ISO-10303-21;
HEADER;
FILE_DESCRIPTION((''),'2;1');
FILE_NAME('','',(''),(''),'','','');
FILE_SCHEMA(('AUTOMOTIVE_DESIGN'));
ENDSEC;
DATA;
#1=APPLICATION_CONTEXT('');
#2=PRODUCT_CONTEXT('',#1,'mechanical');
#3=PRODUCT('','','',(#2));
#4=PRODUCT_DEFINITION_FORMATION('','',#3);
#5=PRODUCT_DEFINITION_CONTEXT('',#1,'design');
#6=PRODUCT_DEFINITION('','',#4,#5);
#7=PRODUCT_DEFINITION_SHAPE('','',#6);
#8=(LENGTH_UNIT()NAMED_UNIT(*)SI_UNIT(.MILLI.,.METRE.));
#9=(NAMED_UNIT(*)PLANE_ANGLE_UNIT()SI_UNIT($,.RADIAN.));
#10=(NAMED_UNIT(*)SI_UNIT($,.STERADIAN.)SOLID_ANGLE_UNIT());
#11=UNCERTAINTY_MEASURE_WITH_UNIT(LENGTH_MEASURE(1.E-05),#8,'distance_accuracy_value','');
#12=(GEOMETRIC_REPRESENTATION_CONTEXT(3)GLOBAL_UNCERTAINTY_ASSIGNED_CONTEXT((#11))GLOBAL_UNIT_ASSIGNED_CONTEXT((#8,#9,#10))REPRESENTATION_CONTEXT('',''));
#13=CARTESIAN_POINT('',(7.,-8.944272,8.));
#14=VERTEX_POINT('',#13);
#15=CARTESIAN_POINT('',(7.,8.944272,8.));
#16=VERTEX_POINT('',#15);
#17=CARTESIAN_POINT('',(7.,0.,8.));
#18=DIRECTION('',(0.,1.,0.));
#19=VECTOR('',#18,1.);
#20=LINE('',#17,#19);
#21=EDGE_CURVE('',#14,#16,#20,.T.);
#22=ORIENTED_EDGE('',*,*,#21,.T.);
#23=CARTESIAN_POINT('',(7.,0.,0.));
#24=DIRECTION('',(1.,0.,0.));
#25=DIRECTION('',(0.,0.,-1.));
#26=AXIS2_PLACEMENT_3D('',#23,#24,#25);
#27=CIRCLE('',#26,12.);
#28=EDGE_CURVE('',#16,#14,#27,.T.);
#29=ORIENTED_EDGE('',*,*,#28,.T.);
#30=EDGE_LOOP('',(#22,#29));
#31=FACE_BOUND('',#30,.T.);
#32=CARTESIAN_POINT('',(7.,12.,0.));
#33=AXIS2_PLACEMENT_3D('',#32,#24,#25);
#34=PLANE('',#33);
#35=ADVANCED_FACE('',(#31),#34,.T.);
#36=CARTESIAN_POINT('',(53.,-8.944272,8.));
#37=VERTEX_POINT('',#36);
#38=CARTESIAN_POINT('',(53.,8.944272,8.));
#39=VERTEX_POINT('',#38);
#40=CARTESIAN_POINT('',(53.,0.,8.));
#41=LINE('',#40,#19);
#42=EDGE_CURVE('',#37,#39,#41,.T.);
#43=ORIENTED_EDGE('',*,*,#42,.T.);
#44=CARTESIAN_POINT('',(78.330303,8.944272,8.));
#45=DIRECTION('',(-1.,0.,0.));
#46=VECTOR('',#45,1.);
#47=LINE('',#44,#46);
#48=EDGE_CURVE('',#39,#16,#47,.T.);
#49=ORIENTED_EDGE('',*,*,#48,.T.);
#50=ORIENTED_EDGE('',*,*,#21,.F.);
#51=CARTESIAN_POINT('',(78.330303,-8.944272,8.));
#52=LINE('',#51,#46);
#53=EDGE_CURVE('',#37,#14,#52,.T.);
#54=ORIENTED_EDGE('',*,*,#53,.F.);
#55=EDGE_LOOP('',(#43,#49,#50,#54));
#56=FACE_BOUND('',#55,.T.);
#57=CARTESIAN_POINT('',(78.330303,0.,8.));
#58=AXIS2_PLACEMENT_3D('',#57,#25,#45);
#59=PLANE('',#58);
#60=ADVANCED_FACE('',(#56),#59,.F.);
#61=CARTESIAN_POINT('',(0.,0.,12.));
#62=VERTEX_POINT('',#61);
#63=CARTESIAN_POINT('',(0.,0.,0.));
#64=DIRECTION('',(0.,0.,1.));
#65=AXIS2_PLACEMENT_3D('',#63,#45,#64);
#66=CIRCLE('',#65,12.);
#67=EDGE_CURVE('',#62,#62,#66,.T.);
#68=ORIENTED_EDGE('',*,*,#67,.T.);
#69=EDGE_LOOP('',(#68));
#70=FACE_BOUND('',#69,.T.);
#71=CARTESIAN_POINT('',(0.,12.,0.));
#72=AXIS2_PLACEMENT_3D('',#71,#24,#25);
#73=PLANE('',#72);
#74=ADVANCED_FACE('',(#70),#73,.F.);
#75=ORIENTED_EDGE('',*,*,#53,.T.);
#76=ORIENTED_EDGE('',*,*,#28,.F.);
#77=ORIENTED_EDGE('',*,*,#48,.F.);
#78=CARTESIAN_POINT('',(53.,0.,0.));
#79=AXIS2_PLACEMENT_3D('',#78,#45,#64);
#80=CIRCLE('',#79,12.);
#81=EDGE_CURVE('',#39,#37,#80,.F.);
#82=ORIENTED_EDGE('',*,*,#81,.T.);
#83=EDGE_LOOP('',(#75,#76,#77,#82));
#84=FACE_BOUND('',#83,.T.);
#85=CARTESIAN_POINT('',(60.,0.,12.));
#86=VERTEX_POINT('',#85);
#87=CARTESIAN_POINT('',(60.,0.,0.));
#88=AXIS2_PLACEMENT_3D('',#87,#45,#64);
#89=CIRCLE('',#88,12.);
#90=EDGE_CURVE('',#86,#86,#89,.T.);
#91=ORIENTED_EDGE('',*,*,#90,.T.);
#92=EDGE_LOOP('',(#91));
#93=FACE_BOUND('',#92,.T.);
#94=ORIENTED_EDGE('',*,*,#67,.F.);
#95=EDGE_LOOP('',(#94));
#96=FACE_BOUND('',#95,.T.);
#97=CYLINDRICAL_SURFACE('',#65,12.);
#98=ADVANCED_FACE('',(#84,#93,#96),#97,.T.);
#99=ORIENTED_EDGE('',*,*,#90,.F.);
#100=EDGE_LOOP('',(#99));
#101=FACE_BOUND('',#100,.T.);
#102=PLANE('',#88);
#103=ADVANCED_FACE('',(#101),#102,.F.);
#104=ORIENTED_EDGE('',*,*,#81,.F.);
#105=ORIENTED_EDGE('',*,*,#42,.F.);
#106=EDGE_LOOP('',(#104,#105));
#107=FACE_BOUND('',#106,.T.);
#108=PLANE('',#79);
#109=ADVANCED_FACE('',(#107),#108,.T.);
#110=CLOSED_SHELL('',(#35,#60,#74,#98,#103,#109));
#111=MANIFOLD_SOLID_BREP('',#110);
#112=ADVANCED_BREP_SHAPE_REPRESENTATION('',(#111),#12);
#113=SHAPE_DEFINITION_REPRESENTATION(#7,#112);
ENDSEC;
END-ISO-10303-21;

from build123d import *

# Parameters (mm, degrees)
SKETCH_1_W               = 60
SKETCH_1_H               = 12
CUT_EXTRUDE_2_DEPTH      = 23
CUT_EXTRUDE_2_DEPTH_BACK = 23


with BuildPart() as part:
    # Эскиз1 → Повернуть1 (revolve)
    with BuildSketch(Plane.XY, mode=Mode.PRIVATE) as revolve_1_sk:
        with Locations((30, 6)):
            Rectangle(SKETCH_1_W, SKETCH_1_H)
    revolve(revolve_1_sk.sketch.rotate(Axis((0, 0, 0), (1, 0, 0)), 90), axis=Axis((0, 0, 0), (1, 0, 0)))

    # Эскиз2 → Вырез-Вытянуть2 (cut, two sides: drawn at the far end of the back side and taken through both)
    with BuildSketch(Plane.ZY.offset(-30).offset(-CUT_EXTRUDE_2_DEPTH_BACK)):
        Polygon((8, 76.863613268), (8, 8.94427191), (8, -8.94427191), (8, -76.863613268), (143.838682716, -76.863613268), (143.838682716, 76.863613268), align=None)
    extrude(amount=CUT_EXTRUDE_2_DEPTH + CUT_EXTRUDE_2_DEPTH_BACK, mode=Mode.SUBTRACT)


solid = part.part
